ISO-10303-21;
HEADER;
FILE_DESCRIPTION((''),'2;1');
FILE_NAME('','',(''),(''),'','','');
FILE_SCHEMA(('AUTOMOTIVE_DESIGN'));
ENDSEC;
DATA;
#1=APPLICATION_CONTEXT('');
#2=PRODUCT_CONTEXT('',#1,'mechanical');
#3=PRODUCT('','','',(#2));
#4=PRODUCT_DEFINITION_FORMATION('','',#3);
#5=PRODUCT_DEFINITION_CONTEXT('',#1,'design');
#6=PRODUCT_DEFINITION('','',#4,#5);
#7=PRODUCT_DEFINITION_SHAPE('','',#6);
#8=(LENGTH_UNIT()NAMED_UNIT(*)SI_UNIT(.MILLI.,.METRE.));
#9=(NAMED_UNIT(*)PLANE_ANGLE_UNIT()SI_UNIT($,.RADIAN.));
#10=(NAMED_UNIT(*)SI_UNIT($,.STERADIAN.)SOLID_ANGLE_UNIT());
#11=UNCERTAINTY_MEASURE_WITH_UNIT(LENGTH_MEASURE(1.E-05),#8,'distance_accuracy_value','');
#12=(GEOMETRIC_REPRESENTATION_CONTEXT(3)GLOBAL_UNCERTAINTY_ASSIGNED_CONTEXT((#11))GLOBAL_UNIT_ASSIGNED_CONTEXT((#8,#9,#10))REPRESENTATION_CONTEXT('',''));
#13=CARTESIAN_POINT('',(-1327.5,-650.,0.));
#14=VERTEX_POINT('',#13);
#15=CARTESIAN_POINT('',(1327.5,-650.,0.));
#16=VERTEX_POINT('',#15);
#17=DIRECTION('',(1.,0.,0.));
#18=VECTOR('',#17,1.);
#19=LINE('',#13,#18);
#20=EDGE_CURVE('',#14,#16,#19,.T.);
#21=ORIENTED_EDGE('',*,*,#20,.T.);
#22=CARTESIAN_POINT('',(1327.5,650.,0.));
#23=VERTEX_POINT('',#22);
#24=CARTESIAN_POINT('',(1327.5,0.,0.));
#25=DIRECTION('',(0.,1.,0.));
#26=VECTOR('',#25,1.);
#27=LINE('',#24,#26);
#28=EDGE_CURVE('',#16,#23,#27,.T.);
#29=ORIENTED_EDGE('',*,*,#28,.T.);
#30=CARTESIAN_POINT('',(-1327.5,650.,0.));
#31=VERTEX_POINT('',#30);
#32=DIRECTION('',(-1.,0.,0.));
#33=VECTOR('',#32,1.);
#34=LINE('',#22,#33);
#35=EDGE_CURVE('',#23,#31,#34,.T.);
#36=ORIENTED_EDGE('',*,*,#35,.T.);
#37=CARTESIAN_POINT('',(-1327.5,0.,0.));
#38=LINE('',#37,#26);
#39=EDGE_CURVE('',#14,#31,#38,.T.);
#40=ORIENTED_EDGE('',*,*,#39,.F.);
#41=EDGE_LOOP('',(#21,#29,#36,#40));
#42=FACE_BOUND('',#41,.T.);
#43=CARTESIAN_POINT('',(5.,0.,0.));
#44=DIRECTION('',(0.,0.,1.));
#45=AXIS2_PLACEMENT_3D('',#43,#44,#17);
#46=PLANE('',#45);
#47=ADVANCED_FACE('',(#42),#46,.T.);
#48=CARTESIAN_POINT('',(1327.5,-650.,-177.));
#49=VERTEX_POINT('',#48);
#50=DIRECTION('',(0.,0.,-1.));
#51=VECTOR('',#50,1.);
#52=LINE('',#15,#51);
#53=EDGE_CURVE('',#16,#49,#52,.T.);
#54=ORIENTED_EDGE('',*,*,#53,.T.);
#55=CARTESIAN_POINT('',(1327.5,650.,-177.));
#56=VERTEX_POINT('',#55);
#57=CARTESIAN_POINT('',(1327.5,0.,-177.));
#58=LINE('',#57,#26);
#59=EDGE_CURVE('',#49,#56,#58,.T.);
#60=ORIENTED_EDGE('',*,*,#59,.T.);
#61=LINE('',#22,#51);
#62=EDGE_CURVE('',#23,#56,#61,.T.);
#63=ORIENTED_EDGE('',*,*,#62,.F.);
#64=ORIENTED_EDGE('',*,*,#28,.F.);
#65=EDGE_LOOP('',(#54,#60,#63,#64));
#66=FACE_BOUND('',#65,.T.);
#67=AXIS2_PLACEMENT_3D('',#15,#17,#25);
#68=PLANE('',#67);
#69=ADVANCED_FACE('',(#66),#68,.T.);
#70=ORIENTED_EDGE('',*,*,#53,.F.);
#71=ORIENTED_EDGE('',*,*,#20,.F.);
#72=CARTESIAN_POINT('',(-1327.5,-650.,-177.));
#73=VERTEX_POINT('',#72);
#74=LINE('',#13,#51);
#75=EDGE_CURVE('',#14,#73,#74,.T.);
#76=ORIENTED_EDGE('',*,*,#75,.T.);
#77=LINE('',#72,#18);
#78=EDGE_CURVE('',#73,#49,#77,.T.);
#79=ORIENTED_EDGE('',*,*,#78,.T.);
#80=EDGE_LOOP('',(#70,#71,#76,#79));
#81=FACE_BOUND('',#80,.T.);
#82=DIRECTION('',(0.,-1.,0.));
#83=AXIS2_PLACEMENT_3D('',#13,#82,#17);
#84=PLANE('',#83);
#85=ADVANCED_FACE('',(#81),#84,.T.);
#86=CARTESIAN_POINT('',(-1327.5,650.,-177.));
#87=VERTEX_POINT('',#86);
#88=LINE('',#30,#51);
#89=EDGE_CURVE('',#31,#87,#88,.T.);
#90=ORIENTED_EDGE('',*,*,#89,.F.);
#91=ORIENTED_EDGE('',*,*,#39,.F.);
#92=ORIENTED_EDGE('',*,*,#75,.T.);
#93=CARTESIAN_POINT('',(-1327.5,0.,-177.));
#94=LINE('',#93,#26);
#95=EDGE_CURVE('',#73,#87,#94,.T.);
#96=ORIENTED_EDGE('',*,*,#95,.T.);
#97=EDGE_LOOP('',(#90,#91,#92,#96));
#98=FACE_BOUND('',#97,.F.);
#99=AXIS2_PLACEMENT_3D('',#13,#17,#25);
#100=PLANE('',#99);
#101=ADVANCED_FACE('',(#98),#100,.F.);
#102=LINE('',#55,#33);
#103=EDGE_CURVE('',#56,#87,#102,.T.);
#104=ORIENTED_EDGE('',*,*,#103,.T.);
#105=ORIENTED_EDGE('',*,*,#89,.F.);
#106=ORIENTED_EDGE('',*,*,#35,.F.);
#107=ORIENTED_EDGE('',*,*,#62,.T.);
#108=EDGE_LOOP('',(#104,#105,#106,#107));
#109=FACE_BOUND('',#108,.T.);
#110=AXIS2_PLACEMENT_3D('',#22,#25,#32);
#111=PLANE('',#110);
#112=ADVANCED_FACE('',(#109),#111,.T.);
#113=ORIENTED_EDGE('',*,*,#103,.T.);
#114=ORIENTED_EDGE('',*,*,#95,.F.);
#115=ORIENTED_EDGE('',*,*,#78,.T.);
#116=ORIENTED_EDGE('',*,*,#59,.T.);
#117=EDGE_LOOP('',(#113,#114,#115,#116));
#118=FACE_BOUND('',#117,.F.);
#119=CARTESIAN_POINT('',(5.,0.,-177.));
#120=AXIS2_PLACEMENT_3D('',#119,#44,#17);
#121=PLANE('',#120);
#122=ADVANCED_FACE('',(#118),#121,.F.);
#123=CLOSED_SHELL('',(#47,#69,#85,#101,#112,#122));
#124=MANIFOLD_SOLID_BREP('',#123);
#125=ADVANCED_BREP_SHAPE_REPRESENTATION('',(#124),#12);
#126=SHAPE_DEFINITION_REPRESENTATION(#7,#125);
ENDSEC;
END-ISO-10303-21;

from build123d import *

# Parameters (mm, degrees)
F0_W     = 2465
F0_H     = 1300
F0_W_2   = 100
F0_W_3   = 90
F1_DEPTH = 177


with BuildPart() as f1:
    # F0 (on Top) → F1 (new body)
    with BuildSketch(Plane.XY):
        with Locations((5, 0)):
            Rectangle(F0_W, F0_H)
        with Locations((-1277.5, 0)):
            Rectangle(F0_W_2, F0_H)
        with Locations((1282.5, 0)):
            Rectangle(F0_W_3, F0_H)
    extrude(amount=-F1_DEPTH)


solid = f1.part
